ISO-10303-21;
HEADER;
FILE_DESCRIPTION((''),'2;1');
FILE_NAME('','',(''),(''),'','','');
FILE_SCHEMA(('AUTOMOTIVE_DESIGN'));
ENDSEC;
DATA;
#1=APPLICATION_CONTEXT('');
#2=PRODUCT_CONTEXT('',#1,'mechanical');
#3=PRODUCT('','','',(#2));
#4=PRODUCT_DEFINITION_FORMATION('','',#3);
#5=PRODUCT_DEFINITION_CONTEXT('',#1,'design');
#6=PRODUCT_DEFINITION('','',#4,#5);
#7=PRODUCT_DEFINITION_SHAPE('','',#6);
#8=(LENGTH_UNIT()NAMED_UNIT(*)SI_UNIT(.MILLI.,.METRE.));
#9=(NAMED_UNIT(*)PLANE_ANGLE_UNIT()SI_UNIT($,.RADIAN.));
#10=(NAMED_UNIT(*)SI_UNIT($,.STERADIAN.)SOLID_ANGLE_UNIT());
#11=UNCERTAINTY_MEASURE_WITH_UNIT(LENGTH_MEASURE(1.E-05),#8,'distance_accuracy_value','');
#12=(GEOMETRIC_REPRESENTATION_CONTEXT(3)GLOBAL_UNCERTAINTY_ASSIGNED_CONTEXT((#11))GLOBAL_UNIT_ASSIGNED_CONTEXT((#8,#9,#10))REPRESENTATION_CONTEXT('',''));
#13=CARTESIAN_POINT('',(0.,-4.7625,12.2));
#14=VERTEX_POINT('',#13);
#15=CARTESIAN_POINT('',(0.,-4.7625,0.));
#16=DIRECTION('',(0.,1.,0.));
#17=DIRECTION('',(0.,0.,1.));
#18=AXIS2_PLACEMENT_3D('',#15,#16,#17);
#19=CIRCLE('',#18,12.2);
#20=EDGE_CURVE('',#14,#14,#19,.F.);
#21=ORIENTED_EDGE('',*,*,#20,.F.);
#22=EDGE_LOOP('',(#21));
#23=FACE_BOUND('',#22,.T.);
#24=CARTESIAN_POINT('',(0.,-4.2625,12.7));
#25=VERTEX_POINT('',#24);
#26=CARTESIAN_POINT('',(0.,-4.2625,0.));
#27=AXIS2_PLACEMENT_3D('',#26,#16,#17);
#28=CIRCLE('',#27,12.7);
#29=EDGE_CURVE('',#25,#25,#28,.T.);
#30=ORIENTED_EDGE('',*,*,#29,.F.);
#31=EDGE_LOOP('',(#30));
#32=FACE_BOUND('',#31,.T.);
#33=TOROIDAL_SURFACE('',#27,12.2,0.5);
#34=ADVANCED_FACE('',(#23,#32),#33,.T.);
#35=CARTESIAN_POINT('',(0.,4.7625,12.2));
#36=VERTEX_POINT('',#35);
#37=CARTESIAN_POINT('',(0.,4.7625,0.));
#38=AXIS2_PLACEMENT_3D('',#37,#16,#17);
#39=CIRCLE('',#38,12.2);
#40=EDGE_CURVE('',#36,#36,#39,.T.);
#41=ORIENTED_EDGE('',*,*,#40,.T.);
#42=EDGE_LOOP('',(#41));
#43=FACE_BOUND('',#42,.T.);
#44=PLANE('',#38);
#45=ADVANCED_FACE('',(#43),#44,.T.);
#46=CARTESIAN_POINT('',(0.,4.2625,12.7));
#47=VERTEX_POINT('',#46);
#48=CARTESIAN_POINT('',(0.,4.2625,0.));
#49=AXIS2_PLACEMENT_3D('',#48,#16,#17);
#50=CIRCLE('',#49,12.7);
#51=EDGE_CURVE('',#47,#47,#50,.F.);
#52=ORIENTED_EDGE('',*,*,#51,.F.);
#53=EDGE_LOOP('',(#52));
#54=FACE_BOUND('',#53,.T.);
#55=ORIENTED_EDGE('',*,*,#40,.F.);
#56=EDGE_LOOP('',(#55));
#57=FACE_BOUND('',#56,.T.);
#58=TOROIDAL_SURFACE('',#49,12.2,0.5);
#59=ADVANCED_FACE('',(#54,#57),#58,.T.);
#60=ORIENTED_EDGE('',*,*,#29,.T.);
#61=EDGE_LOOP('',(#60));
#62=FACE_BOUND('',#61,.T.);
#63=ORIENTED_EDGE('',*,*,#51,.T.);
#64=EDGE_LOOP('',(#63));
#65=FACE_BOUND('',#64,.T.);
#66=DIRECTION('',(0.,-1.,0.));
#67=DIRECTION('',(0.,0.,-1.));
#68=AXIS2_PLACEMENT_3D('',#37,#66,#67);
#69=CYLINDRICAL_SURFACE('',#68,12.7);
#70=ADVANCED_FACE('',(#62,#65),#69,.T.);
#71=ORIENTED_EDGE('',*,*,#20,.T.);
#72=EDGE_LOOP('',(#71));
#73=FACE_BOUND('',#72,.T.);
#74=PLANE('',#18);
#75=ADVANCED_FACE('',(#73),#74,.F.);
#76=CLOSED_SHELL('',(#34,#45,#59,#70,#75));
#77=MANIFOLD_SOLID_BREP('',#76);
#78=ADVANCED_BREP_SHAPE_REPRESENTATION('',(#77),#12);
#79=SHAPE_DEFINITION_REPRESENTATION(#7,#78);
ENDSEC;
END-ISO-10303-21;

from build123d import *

# Parameters (mm, degrees)
SKETCH1_R           = 12.7
BOSS_EXTRUDE1_DEPTH = 4.7625
FILLET1_R           = 0.5


with BuildPart() as part:
    # Sketch1 → Boss-Extrude1 (new body, symmetric)
    with BuildSketch(Plane(origin=(0, 0, 0), x_dir=(1, 0, 0), z_dir=(0, 1, 0))):
        Circle(SKETCH1_R)
    extrude(amount=BOSS_EXTRUDE1_DEPTH, both=True)

    # Fillet1
    fillet1_edges = [part.edges().sort_by_distance(p)[0] for p in [
        (-12.7, -4.7625, 0),
        (-12.7, 4.7625, 0),
    ]]
    fillet(fillet1_edges, radius=FILLET1_R)


solid = part.part
